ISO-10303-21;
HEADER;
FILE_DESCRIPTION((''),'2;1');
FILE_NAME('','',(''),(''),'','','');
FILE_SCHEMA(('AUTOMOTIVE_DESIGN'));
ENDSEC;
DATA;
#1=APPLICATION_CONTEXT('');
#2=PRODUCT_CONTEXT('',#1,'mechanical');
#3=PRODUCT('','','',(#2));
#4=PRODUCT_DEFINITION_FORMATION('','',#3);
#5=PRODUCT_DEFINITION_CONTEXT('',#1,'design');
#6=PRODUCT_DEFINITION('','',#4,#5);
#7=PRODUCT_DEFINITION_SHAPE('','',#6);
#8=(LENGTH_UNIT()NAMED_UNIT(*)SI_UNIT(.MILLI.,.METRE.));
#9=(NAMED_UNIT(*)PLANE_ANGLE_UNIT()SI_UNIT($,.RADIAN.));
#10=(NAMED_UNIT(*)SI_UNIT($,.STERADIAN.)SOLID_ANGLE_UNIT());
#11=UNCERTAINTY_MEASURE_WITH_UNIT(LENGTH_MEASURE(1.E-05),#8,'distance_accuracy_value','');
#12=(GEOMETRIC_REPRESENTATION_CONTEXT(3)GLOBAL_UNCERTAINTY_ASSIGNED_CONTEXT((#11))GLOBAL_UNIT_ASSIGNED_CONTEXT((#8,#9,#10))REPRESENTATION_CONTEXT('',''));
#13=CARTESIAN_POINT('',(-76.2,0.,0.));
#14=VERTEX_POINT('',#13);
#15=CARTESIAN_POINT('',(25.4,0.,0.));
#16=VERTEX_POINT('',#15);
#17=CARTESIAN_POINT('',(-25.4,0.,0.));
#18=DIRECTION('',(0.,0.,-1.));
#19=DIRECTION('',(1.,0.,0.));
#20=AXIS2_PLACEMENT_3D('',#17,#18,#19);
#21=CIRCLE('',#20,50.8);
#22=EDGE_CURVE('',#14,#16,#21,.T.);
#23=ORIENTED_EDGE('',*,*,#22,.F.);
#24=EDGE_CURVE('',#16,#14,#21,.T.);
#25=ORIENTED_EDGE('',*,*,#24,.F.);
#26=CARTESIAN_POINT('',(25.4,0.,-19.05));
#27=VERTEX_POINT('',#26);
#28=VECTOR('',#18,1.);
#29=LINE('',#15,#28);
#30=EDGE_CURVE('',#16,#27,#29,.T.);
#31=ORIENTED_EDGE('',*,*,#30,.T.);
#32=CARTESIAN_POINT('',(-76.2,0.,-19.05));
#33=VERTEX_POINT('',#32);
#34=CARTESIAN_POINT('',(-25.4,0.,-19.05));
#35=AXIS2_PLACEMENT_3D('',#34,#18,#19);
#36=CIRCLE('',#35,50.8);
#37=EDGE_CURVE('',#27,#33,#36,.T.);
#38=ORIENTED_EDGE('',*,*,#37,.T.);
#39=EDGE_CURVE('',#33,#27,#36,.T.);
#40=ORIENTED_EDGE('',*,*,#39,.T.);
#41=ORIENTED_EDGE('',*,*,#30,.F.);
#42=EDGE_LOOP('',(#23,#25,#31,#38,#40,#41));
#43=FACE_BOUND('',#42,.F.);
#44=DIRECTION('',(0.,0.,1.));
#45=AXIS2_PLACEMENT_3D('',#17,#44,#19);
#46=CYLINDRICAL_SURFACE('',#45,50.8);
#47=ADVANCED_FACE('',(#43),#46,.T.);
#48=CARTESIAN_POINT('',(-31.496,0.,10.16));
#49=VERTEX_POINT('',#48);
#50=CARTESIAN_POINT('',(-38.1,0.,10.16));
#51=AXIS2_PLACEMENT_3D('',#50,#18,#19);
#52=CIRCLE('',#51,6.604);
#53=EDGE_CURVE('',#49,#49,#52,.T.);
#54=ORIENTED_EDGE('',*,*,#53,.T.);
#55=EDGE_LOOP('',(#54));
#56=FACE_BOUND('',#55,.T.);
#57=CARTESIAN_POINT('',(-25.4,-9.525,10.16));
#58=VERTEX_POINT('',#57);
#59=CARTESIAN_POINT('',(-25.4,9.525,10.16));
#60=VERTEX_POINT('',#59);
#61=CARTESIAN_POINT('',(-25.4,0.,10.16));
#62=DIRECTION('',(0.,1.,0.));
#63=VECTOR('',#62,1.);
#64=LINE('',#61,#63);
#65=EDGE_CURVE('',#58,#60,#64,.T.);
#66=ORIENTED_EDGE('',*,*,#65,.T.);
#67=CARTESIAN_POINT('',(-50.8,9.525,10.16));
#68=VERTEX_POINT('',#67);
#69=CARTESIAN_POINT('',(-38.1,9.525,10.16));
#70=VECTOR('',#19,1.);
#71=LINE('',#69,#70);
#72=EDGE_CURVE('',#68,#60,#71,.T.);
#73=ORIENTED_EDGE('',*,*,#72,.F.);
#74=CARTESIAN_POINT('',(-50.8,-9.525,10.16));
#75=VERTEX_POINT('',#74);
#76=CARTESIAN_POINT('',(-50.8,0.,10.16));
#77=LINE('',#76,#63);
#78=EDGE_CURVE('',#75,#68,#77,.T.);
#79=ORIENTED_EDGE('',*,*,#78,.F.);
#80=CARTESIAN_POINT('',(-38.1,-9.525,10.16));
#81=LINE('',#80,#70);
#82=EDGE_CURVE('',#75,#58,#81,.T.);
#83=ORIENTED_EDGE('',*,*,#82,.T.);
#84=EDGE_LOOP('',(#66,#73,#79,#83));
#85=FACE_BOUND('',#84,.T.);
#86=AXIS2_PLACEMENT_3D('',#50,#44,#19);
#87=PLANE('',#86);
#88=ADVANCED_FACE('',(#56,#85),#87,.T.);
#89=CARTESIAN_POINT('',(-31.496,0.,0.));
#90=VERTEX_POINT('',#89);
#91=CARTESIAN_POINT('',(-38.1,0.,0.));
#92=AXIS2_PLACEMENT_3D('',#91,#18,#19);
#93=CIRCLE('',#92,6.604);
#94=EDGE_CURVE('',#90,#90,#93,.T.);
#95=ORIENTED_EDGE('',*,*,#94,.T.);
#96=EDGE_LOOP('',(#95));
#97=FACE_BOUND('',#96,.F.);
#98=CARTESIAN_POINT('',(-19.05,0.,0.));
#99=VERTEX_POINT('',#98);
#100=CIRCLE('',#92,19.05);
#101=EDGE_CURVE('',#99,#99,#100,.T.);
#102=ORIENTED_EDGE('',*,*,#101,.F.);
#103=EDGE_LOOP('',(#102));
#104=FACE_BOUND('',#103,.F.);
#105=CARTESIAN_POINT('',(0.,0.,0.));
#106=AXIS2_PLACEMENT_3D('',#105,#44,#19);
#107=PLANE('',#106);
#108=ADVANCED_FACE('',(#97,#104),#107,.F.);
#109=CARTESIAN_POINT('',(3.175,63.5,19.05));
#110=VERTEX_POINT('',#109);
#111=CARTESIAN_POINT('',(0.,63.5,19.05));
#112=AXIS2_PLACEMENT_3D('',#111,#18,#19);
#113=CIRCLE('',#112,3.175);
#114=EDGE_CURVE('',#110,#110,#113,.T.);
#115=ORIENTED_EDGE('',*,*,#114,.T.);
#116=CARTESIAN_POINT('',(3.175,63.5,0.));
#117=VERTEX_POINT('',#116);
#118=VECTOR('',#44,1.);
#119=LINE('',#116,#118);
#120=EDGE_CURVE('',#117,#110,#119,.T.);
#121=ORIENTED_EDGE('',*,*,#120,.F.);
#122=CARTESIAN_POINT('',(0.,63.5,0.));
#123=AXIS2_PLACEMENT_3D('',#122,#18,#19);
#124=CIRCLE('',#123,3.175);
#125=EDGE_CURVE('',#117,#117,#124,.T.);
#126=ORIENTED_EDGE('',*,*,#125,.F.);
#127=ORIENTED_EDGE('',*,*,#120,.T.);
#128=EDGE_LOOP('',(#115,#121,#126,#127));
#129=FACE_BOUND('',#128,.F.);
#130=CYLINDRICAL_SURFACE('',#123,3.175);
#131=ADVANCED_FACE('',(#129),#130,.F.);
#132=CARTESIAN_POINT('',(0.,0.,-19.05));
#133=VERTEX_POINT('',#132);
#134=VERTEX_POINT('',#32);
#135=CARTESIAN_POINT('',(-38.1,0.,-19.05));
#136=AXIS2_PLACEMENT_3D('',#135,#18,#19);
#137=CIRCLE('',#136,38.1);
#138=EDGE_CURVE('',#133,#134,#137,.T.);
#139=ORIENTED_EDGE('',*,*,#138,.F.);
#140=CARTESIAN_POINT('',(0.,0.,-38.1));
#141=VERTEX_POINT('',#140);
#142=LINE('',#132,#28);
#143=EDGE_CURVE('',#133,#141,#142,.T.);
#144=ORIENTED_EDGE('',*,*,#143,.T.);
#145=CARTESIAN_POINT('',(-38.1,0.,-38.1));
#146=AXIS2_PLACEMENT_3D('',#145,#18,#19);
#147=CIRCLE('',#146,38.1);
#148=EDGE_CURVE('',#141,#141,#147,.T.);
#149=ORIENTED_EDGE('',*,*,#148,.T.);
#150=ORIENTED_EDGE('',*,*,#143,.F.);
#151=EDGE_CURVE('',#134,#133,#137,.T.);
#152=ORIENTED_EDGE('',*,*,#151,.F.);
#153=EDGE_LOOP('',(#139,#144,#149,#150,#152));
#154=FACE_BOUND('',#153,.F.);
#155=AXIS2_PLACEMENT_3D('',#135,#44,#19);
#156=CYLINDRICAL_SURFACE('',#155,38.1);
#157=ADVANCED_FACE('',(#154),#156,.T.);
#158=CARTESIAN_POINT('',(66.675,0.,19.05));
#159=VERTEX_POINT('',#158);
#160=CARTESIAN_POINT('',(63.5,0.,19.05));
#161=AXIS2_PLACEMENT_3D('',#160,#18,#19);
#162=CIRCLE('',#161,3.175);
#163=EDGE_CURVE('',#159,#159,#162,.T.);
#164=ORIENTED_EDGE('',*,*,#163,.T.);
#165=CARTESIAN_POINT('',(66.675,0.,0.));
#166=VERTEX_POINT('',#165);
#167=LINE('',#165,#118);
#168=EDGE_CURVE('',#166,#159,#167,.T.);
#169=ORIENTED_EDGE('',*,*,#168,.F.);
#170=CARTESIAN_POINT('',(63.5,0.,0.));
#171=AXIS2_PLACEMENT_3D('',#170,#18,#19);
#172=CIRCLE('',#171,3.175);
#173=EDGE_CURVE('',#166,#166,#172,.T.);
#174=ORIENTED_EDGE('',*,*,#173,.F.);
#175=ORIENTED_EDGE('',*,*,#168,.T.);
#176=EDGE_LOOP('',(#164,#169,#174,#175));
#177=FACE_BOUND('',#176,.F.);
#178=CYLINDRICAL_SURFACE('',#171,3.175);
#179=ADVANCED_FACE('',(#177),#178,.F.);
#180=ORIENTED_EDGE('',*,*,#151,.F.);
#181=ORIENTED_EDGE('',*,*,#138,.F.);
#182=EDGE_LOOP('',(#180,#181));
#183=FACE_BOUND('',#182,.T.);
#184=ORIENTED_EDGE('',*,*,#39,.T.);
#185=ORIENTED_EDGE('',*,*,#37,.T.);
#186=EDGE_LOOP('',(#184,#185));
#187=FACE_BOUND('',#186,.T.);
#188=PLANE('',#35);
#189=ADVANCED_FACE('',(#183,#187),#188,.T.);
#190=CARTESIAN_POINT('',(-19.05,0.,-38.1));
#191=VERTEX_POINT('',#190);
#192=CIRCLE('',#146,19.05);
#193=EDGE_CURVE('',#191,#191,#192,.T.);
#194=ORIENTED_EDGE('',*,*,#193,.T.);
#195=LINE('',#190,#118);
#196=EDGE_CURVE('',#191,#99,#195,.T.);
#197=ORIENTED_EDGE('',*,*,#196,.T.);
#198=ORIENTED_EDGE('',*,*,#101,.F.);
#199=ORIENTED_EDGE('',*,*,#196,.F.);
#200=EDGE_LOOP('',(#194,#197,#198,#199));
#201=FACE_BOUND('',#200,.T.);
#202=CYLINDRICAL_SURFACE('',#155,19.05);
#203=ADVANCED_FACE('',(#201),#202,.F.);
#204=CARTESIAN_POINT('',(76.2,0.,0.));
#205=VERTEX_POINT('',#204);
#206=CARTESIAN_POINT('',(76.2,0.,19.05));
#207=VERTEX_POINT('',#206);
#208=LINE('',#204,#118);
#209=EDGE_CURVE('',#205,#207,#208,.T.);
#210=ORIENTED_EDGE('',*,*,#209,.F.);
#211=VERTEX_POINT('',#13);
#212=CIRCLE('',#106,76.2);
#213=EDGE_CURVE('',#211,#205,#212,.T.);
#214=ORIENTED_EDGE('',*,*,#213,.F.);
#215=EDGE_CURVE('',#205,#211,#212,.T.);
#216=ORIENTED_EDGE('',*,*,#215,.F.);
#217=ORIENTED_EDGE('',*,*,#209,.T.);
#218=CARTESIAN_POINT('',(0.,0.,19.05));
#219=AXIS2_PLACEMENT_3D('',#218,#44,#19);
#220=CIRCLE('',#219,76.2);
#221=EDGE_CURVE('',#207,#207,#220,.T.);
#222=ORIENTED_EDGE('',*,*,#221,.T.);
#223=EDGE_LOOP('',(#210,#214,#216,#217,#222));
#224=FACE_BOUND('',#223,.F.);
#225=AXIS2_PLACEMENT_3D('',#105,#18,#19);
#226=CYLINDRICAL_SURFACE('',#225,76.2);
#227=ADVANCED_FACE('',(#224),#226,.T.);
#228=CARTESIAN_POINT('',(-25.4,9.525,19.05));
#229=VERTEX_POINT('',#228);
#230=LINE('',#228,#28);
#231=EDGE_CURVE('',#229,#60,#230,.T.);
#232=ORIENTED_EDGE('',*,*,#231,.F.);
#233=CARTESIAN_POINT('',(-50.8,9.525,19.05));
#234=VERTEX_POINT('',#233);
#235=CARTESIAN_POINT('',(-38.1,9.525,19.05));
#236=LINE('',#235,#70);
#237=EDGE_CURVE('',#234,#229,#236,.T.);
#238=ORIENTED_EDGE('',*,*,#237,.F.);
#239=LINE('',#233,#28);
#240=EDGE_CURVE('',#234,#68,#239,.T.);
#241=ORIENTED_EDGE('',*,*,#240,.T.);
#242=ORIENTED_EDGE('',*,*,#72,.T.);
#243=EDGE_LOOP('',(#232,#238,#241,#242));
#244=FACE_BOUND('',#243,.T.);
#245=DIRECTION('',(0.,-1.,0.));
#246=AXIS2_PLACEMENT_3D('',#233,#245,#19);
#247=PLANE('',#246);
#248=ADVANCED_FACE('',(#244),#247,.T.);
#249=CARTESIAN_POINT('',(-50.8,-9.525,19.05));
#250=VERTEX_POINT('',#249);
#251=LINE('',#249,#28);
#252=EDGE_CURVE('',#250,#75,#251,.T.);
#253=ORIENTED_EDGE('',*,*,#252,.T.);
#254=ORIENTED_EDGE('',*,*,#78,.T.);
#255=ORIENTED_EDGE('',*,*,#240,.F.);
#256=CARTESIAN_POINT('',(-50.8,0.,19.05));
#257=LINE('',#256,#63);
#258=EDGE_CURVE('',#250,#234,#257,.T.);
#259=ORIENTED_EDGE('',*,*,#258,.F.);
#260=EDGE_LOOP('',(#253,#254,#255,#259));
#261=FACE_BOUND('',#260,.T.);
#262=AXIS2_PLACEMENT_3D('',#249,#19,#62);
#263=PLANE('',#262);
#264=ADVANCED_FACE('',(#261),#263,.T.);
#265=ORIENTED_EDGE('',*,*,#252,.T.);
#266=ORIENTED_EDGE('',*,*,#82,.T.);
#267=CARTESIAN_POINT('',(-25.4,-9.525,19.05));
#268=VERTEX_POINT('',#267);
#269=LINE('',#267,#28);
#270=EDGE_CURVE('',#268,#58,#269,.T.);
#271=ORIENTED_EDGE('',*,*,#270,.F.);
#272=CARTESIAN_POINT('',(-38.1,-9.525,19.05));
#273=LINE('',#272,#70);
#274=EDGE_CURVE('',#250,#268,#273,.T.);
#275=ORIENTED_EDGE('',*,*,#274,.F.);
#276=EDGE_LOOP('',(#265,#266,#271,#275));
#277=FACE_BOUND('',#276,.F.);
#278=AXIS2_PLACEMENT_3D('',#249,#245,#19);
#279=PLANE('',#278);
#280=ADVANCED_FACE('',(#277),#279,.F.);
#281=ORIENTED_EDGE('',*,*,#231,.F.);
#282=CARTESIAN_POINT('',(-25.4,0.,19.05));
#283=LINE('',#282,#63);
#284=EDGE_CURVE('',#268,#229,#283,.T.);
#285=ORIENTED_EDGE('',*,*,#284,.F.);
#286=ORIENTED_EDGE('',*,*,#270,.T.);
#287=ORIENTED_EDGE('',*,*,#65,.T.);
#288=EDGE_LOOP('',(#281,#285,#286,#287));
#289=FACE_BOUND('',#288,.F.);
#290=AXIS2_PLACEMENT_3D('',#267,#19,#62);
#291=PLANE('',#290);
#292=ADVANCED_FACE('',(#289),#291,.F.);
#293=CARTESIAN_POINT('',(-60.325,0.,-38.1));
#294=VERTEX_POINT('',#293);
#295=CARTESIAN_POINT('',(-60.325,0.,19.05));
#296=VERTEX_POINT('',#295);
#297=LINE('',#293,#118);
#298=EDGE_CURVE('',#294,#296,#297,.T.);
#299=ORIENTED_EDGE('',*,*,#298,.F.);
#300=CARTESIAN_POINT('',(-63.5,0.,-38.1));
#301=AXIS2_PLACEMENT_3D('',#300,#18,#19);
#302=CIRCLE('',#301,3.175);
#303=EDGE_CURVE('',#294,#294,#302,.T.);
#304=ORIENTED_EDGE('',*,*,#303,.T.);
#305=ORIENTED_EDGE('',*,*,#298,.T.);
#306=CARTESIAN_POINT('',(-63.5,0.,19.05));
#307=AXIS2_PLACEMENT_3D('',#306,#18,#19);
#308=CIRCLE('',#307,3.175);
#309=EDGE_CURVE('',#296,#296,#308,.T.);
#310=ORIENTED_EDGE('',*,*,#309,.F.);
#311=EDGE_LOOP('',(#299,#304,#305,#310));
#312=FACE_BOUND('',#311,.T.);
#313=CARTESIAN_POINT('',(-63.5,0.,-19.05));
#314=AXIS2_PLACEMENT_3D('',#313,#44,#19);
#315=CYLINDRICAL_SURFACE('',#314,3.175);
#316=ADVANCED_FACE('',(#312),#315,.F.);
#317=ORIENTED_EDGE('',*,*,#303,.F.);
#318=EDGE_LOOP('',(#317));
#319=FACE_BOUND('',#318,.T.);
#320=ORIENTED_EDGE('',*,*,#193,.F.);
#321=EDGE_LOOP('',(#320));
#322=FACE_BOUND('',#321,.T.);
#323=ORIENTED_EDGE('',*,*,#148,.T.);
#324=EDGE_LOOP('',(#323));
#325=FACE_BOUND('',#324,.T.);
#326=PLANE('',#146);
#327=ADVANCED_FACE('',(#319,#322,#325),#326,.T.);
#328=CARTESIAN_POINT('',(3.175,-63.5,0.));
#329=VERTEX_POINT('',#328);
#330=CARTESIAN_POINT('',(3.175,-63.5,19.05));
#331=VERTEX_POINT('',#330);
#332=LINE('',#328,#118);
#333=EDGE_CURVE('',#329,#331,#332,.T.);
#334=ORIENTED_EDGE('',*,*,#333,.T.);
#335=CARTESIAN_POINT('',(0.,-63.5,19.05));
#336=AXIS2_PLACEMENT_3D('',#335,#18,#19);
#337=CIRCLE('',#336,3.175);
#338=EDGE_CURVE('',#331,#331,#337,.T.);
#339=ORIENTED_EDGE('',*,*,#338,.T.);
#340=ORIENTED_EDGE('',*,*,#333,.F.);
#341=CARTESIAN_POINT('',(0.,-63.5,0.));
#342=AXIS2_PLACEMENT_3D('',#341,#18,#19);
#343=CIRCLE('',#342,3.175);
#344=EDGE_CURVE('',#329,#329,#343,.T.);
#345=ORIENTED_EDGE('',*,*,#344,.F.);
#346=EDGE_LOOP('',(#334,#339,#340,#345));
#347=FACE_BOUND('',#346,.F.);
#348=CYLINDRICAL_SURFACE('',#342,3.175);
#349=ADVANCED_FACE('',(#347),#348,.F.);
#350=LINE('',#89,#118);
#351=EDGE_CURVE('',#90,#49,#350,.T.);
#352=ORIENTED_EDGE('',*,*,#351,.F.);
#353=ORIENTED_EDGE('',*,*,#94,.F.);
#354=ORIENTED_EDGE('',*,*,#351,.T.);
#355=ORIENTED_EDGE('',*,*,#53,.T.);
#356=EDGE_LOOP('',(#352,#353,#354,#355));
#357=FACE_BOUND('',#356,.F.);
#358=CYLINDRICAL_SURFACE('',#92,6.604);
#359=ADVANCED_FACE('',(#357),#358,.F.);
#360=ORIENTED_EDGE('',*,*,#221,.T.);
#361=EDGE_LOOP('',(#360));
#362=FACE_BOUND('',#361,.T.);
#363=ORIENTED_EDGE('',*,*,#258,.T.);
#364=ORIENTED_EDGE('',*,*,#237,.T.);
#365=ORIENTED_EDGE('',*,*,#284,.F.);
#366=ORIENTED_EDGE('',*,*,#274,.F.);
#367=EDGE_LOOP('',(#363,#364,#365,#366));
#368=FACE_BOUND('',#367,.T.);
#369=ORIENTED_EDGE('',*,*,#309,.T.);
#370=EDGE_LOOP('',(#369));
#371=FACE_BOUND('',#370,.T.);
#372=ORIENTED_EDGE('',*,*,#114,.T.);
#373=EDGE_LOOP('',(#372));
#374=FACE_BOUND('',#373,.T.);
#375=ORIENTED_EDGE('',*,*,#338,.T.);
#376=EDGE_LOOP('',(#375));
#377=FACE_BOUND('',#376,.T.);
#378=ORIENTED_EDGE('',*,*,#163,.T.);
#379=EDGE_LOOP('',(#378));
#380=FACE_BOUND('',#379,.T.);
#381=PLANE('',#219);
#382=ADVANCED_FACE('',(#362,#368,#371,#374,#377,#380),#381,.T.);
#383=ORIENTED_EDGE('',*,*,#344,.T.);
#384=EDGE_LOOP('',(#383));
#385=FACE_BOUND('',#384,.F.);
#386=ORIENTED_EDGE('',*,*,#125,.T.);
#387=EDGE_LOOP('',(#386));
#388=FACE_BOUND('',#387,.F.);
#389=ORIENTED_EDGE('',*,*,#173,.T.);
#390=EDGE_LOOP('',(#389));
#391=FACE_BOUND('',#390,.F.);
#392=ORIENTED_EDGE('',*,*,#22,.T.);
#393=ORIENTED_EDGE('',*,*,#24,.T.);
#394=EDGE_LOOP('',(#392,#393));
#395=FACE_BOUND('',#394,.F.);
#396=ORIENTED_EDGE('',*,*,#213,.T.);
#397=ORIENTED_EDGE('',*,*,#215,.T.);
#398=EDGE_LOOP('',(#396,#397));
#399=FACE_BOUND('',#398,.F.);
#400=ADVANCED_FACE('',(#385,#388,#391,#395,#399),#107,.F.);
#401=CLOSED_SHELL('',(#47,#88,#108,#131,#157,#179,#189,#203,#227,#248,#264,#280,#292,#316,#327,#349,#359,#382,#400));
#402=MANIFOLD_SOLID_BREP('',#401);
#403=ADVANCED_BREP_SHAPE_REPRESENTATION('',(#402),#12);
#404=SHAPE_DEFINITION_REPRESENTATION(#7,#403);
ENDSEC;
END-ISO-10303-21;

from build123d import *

# Parameters (mm, degrees)
F0_R      = 76.2
F1_DEPTH  = 19.05
F2_W      = 25.4
F2_H      = 19.05
F3_DEPTH  = 8.89
F4_R      = 6.604
F5_DEPTH  = 10.16
F6_R      = 3.175
F7_DEPTH  = 19.05
F8_R      = 3.175
F8_R_2    = 19.05
F9_DEPTH  = 19.05
F10_R     = 3.175
F10_R_2   = 19.05
F11_DEPTH = 19.05


with BuildPart() as f1:
    # F0 (on Top) → F1 (new body)
    with BuildSketch(Plane.XY):
        Circle(F0_R)
    extrude(amount=F1_DEPTH)

    # F2 (on face) → F3 (cut)
    with BuildSketch(Plane.XY.offset(19.05)):
        with Locations((-38.1, 0)):
            Rectangle(F2_W, F2_H)
    extrude(amount=-F3_DEPTH, mode=Mode.SUBTRACT)

    # F4 (on face) → F5 (cut)
    with BuildSketch(Plane(origin=(0, 0, 0), x_dir=(1, 0, 0), z_dir=(0, 0, -1))):
        with Locations((-38.1, 0)):
            Circle(F4_R)
    extrude(amount=-F5_DEPTH, mode=Mode.SUBTRACT)

    # F6 (on face) → F7 (cut)
    with BuildSketch(Plane(origin=(0, 0, 0), x_dir=(1, 0, 0), z_dir=(0, 0, -1))):
        with Locations((0, 63.5)):
            Circle(F6_R)
        with Locations((63.5, 0)):
            Circle(F6_R)
        with Locations((0, -63.5)):
            Circle(F6_R)
        with Locations((-63.5, 0)):
            Circle(F6_R)
    extrude(amount=-F7_DEPTH, mode=Mode.SUBTRACT)

    # F8 (on face) → F9 (join)
    with BuildSketch(Plane(origin=(0, 0, 0), x_dir=(1, 0, 0), z_dir=(0, 0, -1))):
        with BuildLine():
            ThreePointArc((-76.2, -9.238e-07), (-25.3999995381, -50.8), (25.4, 0))
            ThreePointArc((25.4, 0), (-25.4000004619, 50.8), (-76.2, -9.238e-07))
        make_face()
        with Locations((-63.5, 0)):
            Circle(F8_R, mode=Mode.SUBTRACT)
        with Locations((-38.1, 0)):
            Circle(F8_R_2, mode=Mode.SUBTRACT)
    extrude(amount=F9_DEPTH)

    # F10 (on face) → F11 (join)
    with BuildSketch(Plane(origin=(0, 0, -19.05), x_dir=(1, 0, 0), z_dir=(0, 0, -1))):
        with BuildLine():
            ThreePointArc((-76.2, -1.0101e-06), (-38.099999495, -38.1), (0, 0))
            ThreePointArc((0, 0), (-38.100000505, 38.1), (-76.2, -1.0101e-06))
        make_face()
        with Locations((-63.5, 0)):
            Circle(F10_R, mode=Mode.SUBTRACT)
        with Locations((-38.1, 0)):
            Circle(F10_R_2, mode=Mode.SUBTRACT)
    extrude(amount=F11_DEPTH)


solid = f1.part
